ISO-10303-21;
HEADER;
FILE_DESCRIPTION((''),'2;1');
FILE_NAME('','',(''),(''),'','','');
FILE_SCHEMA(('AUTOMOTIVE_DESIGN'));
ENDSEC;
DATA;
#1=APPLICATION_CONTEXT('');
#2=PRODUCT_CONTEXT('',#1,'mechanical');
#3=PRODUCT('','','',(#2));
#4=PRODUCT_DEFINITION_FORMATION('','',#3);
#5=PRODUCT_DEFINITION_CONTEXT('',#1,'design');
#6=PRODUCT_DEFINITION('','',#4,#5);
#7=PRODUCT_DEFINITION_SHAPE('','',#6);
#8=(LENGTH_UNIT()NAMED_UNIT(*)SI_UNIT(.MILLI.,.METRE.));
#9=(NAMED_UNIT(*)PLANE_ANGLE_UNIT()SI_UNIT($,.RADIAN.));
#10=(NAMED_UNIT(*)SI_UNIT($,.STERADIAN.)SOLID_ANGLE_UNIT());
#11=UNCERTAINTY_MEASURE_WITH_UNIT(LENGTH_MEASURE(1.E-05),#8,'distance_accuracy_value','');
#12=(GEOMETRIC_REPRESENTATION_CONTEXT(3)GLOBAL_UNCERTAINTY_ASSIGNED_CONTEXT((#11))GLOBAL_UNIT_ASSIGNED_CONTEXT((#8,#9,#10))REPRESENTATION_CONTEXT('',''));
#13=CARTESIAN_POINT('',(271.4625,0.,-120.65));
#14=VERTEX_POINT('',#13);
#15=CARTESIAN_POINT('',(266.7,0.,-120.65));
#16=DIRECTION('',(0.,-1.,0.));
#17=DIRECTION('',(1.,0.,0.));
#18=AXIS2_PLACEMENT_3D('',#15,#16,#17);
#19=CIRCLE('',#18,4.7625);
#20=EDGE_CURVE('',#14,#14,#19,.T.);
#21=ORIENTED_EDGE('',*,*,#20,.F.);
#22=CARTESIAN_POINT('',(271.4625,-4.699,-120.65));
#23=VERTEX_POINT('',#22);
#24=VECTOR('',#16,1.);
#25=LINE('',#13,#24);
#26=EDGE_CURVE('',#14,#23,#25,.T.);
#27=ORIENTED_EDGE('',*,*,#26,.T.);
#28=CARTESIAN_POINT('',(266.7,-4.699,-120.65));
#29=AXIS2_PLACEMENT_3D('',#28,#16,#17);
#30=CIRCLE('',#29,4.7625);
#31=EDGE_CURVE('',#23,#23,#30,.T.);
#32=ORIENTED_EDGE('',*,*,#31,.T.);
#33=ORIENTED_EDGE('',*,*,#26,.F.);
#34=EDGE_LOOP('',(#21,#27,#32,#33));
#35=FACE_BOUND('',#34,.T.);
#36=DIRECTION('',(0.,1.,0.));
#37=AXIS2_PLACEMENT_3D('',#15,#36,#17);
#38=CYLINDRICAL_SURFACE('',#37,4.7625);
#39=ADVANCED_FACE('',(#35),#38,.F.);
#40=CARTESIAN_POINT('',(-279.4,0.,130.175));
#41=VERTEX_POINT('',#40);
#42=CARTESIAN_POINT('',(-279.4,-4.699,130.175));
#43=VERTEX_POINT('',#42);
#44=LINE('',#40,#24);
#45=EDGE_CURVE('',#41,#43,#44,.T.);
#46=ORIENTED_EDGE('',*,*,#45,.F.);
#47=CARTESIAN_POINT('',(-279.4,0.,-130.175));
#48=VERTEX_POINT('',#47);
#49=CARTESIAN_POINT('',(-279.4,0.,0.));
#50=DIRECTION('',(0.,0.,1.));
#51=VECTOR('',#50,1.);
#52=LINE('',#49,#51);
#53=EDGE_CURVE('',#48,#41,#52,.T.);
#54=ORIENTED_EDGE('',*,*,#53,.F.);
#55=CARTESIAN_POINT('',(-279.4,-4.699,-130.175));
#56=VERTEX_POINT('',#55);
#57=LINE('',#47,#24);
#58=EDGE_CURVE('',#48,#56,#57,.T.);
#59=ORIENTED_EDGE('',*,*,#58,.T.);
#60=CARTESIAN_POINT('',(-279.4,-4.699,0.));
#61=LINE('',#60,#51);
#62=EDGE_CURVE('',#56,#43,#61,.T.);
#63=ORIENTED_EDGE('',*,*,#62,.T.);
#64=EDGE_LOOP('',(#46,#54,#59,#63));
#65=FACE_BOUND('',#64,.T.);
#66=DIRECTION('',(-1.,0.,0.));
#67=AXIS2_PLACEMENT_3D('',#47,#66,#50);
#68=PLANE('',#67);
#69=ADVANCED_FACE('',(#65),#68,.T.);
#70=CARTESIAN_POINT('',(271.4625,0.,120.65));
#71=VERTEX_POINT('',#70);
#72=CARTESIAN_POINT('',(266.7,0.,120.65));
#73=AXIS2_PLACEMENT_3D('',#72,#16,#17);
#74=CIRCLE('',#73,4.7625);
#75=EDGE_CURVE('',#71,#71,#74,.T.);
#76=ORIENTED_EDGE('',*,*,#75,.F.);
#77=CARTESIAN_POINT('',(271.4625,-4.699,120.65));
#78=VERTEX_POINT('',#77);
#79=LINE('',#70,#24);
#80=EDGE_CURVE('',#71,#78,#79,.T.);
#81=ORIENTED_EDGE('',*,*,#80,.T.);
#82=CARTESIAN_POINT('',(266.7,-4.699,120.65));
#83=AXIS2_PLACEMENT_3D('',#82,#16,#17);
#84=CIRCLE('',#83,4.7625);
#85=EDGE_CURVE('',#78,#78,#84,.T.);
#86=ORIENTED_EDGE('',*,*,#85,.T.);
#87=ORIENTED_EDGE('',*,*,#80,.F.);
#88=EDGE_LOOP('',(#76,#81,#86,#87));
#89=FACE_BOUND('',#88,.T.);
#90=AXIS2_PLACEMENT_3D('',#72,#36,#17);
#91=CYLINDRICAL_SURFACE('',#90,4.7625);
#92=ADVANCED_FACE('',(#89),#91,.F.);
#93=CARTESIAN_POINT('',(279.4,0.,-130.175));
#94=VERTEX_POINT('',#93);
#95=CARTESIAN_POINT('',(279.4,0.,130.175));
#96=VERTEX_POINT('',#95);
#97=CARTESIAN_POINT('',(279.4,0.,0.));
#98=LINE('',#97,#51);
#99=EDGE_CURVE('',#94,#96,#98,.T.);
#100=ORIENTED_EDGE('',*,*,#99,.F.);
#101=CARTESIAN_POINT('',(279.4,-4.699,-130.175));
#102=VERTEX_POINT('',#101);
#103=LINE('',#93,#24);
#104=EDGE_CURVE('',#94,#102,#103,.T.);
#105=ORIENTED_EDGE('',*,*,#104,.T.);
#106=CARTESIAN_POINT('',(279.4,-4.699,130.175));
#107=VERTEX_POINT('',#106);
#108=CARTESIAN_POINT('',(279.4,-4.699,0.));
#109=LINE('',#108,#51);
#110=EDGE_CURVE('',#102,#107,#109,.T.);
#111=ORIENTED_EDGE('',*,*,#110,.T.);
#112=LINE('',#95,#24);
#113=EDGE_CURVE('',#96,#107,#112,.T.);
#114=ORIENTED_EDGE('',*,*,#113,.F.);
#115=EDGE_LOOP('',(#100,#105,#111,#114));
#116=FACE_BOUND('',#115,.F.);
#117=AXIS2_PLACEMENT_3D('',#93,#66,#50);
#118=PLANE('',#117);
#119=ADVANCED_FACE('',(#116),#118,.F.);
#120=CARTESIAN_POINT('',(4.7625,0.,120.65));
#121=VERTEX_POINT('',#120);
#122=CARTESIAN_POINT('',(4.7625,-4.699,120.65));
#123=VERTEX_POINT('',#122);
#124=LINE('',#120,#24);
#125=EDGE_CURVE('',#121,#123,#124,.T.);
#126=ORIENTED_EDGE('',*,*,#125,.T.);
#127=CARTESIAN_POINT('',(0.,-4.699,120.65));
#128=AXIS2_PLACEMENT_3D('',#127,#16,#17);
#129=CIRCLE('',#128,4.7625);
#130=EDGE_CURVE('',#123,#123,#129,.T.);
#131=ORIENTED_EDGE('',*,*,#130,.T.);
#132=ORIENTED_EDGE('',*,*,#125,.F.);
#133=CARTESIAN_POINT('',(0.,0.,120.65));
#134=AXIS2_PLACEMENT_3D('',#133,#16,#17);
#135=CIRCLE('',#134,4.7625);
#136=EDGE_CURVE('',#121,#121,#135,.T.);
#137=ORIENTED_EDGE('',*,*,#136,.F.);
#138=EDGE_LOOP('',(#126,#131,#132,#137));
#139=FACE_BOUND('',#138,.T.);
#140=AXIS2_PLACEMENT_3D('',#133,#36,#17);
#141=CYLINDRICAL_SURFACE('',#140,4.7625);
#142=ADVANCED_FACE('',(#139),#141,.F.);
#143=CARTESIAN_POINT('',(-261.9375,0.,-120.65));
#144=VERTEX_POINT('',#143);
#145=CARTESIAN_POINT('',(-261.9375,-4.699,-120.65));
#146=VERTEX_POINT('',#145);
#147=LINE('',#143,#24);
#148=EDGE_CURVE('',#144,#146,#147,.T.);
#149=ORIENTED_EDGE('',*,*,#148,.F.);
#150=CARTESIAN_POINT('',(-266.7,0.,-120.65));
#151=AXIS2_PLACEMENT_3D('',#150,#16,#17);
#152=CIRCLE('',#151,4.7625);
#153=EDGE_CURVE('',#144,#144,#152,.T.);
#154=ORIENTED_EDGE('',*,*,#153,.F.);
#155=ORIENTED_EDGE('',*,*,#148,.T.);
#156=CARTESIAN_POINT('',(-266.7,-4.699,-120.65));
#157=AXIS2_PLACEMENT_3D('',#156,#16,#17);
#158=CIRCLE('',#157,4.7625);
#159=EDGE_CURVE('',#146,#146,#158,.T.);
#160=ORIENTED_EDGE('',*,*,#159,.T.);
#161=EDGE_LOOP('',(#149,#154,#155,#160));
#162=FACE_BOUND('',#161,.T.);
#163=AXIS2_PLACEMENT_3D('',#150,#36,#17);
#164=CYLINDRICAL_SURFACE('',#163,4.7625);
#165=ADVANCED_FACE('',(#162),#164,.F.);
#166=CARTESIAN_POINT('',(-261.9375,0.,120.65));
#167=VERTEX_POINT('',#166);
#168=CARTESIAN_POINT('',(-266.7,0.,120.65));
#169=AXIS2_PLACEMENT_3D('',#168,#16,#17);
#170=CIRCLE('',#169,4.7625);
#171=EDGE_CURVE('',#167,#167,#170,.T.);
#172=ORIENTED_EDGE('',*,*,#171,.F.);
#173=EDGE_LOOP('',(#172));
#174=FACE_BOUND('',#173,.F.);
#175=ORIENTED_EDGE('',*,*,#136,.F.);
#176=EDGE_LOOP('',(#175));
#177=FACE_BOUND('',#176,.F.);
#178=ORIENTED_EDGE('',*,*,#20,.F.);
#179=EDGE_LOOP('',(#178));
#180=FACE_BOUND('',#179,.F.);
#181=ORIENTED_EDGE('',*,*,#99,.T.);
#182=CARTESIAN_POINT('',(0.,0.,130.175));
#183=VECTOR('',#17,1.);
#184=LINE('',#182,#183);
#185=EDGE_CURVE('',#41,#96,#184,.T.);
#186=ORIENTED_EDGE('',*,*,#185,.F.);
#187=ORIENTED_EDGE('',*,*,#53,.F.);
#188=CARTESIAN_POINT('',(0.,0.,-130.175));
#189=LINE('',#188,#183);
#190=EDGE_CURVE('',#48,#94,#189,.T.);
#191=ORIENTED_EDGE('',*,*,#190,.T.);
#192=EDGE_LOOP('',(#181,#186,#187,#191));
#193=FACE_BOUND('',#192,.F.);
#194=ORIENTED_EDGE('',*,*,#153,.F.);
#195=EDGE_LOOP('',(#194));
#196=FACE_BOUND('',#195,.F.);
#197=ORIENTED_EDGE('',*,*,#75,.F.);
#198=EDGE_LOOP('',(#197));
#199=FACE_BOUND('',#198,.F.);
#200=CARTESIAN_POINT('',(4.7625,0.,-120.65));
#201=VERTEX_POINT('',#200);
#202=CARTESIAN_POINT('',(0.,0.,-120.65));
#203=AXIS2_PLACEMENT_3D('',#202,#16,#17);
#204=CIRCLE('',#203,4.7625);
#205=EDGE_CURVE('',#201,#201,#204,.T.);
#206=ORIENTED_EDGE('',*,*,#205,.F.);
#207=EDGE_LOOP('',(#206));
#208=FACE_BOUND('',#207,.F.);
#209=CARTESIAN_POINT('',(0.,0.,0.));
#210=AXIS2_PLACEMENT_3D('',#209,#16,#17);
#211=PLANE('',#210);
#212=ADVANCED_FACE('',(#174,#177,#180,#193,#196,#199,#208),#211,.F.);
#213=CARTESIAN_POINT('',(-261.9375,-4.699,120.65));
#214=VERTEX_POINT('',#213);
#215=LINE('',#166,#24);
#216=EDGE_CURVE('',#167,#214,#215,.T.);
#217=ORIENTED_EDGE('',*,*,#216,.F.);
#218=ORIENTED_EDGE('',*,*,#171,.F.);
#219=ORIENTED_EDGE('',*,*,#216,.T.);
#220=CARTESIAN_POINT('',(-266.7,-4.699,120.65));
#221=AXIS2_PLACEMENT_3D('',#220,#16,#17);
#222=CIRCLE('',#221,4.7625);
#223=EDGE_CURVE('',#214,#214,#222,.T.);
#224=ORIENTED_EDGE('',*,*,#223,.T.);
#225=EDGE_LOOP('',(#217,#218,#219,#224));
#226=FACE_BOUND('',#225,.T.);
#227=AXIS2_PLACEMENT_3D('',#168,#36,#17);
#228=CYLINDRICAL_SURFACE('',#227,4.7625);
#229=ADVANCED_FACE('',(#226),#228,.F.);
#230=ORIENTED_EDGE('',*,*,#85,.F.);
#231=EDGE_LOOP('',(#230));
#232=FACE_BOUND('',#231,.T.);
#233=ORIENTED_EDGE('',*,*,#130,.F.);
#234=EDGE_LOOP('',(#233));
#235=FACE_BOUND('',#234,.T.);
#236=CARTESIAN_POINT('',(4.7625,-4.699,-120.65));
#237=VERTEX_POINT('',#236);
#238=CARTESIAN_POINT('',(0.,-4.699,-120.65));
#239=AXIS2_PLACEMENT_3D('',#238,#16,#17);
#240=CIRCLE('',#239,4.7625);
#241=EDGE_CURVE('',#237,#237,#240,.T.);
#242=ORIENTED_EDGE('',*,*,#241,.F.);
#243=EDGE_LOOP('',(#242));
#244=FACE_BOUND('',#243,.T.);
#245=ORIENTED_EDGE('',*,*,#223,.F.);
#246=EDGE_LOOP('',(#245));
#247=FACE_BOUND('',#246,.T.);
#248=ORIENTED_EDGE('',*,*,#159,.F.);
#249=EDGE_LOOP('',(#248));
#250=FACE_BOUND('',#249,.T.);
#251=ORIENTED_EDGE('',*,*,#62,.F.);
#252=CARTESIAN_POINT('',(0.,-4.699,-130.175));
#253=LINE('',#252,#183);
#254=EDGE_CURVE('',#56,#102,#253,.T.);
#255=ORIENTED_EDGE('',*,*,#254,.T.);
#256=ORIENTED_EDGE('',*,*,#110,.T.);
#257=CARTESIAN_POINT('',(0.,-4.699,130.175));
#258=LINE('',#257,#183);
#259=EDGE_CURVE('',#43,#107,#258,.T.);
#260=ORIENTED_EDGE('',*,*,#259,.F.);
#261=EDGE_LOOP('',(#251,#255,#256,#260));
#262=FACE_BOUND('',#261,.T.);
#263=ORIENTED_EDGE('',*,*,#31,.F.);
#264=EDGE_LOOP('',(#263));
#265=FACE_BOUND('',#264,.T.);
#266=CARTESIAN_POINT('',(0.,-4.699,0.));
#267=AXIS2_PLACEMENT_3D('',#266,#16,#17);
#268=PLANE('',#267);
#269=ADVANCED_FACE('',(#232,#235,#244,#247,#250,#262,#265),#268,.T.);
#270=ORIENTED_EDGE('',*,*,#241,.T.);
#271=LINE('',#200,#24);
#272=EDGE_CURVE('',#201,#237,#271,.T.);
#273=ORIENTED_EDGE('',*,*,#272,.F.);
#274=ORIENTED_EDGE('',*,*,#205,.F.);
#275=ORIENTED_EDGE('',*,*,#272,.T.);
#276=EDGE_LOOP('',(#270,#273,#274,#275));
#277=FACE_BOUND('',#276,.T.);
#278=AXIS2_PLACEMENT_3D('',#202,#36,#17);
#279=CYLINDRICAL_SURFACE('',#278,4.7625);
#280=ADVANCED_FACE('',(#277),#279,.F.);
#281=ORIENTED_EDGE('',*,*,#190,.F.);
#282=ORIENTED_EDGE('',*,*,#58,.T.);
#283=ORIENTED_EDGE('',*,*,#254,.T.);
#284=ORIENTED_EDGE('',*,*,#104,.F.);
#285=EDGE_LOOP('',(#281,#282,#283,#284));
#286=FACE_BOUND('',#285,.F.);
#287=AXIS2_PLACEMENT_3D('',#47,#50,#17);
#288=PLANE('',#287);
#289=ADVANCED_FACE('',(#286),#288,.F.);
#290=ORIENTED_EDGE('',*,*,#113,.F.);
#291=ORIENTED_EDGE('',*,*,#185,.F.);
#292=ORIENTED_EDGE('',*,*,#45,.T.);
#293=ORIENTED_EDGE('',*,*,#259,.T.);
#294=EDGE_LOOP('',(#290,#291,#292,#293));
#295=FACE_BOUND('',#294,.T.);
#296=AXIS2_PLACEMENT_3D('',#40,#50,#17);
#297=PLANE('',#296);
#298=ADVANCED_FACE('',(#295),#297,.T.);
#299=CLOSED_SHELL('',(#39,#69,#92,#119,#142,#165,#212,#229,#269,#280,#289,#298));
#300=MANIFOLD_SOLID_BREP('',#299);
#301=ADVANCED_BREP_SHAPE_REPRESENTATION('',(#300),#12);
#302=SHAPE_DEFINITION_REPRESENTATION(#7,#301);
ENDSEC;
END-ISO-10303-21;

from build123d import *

# Parameters (mm, degrees)
F0_W     = 558.8
F0_H     = 260.35
F0_R     = 4.7625
F1_DEPTH = 4.699


with BuildPart() as f1:
    # F0 (on Front) → F1 (new body)
    with BuildSketch(Plane.XZ):
        Rectangle(F0_W, F0_H)
        with Locations((-266.7, -120.65)):
            Circle(F0_R, mode=Mode.SUBTRACT)
        with Locations((0, -120.65)):
            Circle(F0_R, mode=Mode.SUBTRACT)
        with Locations((266.7, -120.65)):
            Circle(F0_R, mode=Mode.SUBTRACT)
        with Locations((-266.7, 120.65)):
            Circle(F0_R, mode=Mode.SUBTRACT)
        with Locations((0, 120.65)):
            Circle(F0_R, mode=Mode.SUBTRACT)
        with Locations((266.7, 120.65)):
            Circle(F0_R, mode=Mode.SUBTRACT)
    extrude(amount=F1_DEPTH)


solid = f1.part
